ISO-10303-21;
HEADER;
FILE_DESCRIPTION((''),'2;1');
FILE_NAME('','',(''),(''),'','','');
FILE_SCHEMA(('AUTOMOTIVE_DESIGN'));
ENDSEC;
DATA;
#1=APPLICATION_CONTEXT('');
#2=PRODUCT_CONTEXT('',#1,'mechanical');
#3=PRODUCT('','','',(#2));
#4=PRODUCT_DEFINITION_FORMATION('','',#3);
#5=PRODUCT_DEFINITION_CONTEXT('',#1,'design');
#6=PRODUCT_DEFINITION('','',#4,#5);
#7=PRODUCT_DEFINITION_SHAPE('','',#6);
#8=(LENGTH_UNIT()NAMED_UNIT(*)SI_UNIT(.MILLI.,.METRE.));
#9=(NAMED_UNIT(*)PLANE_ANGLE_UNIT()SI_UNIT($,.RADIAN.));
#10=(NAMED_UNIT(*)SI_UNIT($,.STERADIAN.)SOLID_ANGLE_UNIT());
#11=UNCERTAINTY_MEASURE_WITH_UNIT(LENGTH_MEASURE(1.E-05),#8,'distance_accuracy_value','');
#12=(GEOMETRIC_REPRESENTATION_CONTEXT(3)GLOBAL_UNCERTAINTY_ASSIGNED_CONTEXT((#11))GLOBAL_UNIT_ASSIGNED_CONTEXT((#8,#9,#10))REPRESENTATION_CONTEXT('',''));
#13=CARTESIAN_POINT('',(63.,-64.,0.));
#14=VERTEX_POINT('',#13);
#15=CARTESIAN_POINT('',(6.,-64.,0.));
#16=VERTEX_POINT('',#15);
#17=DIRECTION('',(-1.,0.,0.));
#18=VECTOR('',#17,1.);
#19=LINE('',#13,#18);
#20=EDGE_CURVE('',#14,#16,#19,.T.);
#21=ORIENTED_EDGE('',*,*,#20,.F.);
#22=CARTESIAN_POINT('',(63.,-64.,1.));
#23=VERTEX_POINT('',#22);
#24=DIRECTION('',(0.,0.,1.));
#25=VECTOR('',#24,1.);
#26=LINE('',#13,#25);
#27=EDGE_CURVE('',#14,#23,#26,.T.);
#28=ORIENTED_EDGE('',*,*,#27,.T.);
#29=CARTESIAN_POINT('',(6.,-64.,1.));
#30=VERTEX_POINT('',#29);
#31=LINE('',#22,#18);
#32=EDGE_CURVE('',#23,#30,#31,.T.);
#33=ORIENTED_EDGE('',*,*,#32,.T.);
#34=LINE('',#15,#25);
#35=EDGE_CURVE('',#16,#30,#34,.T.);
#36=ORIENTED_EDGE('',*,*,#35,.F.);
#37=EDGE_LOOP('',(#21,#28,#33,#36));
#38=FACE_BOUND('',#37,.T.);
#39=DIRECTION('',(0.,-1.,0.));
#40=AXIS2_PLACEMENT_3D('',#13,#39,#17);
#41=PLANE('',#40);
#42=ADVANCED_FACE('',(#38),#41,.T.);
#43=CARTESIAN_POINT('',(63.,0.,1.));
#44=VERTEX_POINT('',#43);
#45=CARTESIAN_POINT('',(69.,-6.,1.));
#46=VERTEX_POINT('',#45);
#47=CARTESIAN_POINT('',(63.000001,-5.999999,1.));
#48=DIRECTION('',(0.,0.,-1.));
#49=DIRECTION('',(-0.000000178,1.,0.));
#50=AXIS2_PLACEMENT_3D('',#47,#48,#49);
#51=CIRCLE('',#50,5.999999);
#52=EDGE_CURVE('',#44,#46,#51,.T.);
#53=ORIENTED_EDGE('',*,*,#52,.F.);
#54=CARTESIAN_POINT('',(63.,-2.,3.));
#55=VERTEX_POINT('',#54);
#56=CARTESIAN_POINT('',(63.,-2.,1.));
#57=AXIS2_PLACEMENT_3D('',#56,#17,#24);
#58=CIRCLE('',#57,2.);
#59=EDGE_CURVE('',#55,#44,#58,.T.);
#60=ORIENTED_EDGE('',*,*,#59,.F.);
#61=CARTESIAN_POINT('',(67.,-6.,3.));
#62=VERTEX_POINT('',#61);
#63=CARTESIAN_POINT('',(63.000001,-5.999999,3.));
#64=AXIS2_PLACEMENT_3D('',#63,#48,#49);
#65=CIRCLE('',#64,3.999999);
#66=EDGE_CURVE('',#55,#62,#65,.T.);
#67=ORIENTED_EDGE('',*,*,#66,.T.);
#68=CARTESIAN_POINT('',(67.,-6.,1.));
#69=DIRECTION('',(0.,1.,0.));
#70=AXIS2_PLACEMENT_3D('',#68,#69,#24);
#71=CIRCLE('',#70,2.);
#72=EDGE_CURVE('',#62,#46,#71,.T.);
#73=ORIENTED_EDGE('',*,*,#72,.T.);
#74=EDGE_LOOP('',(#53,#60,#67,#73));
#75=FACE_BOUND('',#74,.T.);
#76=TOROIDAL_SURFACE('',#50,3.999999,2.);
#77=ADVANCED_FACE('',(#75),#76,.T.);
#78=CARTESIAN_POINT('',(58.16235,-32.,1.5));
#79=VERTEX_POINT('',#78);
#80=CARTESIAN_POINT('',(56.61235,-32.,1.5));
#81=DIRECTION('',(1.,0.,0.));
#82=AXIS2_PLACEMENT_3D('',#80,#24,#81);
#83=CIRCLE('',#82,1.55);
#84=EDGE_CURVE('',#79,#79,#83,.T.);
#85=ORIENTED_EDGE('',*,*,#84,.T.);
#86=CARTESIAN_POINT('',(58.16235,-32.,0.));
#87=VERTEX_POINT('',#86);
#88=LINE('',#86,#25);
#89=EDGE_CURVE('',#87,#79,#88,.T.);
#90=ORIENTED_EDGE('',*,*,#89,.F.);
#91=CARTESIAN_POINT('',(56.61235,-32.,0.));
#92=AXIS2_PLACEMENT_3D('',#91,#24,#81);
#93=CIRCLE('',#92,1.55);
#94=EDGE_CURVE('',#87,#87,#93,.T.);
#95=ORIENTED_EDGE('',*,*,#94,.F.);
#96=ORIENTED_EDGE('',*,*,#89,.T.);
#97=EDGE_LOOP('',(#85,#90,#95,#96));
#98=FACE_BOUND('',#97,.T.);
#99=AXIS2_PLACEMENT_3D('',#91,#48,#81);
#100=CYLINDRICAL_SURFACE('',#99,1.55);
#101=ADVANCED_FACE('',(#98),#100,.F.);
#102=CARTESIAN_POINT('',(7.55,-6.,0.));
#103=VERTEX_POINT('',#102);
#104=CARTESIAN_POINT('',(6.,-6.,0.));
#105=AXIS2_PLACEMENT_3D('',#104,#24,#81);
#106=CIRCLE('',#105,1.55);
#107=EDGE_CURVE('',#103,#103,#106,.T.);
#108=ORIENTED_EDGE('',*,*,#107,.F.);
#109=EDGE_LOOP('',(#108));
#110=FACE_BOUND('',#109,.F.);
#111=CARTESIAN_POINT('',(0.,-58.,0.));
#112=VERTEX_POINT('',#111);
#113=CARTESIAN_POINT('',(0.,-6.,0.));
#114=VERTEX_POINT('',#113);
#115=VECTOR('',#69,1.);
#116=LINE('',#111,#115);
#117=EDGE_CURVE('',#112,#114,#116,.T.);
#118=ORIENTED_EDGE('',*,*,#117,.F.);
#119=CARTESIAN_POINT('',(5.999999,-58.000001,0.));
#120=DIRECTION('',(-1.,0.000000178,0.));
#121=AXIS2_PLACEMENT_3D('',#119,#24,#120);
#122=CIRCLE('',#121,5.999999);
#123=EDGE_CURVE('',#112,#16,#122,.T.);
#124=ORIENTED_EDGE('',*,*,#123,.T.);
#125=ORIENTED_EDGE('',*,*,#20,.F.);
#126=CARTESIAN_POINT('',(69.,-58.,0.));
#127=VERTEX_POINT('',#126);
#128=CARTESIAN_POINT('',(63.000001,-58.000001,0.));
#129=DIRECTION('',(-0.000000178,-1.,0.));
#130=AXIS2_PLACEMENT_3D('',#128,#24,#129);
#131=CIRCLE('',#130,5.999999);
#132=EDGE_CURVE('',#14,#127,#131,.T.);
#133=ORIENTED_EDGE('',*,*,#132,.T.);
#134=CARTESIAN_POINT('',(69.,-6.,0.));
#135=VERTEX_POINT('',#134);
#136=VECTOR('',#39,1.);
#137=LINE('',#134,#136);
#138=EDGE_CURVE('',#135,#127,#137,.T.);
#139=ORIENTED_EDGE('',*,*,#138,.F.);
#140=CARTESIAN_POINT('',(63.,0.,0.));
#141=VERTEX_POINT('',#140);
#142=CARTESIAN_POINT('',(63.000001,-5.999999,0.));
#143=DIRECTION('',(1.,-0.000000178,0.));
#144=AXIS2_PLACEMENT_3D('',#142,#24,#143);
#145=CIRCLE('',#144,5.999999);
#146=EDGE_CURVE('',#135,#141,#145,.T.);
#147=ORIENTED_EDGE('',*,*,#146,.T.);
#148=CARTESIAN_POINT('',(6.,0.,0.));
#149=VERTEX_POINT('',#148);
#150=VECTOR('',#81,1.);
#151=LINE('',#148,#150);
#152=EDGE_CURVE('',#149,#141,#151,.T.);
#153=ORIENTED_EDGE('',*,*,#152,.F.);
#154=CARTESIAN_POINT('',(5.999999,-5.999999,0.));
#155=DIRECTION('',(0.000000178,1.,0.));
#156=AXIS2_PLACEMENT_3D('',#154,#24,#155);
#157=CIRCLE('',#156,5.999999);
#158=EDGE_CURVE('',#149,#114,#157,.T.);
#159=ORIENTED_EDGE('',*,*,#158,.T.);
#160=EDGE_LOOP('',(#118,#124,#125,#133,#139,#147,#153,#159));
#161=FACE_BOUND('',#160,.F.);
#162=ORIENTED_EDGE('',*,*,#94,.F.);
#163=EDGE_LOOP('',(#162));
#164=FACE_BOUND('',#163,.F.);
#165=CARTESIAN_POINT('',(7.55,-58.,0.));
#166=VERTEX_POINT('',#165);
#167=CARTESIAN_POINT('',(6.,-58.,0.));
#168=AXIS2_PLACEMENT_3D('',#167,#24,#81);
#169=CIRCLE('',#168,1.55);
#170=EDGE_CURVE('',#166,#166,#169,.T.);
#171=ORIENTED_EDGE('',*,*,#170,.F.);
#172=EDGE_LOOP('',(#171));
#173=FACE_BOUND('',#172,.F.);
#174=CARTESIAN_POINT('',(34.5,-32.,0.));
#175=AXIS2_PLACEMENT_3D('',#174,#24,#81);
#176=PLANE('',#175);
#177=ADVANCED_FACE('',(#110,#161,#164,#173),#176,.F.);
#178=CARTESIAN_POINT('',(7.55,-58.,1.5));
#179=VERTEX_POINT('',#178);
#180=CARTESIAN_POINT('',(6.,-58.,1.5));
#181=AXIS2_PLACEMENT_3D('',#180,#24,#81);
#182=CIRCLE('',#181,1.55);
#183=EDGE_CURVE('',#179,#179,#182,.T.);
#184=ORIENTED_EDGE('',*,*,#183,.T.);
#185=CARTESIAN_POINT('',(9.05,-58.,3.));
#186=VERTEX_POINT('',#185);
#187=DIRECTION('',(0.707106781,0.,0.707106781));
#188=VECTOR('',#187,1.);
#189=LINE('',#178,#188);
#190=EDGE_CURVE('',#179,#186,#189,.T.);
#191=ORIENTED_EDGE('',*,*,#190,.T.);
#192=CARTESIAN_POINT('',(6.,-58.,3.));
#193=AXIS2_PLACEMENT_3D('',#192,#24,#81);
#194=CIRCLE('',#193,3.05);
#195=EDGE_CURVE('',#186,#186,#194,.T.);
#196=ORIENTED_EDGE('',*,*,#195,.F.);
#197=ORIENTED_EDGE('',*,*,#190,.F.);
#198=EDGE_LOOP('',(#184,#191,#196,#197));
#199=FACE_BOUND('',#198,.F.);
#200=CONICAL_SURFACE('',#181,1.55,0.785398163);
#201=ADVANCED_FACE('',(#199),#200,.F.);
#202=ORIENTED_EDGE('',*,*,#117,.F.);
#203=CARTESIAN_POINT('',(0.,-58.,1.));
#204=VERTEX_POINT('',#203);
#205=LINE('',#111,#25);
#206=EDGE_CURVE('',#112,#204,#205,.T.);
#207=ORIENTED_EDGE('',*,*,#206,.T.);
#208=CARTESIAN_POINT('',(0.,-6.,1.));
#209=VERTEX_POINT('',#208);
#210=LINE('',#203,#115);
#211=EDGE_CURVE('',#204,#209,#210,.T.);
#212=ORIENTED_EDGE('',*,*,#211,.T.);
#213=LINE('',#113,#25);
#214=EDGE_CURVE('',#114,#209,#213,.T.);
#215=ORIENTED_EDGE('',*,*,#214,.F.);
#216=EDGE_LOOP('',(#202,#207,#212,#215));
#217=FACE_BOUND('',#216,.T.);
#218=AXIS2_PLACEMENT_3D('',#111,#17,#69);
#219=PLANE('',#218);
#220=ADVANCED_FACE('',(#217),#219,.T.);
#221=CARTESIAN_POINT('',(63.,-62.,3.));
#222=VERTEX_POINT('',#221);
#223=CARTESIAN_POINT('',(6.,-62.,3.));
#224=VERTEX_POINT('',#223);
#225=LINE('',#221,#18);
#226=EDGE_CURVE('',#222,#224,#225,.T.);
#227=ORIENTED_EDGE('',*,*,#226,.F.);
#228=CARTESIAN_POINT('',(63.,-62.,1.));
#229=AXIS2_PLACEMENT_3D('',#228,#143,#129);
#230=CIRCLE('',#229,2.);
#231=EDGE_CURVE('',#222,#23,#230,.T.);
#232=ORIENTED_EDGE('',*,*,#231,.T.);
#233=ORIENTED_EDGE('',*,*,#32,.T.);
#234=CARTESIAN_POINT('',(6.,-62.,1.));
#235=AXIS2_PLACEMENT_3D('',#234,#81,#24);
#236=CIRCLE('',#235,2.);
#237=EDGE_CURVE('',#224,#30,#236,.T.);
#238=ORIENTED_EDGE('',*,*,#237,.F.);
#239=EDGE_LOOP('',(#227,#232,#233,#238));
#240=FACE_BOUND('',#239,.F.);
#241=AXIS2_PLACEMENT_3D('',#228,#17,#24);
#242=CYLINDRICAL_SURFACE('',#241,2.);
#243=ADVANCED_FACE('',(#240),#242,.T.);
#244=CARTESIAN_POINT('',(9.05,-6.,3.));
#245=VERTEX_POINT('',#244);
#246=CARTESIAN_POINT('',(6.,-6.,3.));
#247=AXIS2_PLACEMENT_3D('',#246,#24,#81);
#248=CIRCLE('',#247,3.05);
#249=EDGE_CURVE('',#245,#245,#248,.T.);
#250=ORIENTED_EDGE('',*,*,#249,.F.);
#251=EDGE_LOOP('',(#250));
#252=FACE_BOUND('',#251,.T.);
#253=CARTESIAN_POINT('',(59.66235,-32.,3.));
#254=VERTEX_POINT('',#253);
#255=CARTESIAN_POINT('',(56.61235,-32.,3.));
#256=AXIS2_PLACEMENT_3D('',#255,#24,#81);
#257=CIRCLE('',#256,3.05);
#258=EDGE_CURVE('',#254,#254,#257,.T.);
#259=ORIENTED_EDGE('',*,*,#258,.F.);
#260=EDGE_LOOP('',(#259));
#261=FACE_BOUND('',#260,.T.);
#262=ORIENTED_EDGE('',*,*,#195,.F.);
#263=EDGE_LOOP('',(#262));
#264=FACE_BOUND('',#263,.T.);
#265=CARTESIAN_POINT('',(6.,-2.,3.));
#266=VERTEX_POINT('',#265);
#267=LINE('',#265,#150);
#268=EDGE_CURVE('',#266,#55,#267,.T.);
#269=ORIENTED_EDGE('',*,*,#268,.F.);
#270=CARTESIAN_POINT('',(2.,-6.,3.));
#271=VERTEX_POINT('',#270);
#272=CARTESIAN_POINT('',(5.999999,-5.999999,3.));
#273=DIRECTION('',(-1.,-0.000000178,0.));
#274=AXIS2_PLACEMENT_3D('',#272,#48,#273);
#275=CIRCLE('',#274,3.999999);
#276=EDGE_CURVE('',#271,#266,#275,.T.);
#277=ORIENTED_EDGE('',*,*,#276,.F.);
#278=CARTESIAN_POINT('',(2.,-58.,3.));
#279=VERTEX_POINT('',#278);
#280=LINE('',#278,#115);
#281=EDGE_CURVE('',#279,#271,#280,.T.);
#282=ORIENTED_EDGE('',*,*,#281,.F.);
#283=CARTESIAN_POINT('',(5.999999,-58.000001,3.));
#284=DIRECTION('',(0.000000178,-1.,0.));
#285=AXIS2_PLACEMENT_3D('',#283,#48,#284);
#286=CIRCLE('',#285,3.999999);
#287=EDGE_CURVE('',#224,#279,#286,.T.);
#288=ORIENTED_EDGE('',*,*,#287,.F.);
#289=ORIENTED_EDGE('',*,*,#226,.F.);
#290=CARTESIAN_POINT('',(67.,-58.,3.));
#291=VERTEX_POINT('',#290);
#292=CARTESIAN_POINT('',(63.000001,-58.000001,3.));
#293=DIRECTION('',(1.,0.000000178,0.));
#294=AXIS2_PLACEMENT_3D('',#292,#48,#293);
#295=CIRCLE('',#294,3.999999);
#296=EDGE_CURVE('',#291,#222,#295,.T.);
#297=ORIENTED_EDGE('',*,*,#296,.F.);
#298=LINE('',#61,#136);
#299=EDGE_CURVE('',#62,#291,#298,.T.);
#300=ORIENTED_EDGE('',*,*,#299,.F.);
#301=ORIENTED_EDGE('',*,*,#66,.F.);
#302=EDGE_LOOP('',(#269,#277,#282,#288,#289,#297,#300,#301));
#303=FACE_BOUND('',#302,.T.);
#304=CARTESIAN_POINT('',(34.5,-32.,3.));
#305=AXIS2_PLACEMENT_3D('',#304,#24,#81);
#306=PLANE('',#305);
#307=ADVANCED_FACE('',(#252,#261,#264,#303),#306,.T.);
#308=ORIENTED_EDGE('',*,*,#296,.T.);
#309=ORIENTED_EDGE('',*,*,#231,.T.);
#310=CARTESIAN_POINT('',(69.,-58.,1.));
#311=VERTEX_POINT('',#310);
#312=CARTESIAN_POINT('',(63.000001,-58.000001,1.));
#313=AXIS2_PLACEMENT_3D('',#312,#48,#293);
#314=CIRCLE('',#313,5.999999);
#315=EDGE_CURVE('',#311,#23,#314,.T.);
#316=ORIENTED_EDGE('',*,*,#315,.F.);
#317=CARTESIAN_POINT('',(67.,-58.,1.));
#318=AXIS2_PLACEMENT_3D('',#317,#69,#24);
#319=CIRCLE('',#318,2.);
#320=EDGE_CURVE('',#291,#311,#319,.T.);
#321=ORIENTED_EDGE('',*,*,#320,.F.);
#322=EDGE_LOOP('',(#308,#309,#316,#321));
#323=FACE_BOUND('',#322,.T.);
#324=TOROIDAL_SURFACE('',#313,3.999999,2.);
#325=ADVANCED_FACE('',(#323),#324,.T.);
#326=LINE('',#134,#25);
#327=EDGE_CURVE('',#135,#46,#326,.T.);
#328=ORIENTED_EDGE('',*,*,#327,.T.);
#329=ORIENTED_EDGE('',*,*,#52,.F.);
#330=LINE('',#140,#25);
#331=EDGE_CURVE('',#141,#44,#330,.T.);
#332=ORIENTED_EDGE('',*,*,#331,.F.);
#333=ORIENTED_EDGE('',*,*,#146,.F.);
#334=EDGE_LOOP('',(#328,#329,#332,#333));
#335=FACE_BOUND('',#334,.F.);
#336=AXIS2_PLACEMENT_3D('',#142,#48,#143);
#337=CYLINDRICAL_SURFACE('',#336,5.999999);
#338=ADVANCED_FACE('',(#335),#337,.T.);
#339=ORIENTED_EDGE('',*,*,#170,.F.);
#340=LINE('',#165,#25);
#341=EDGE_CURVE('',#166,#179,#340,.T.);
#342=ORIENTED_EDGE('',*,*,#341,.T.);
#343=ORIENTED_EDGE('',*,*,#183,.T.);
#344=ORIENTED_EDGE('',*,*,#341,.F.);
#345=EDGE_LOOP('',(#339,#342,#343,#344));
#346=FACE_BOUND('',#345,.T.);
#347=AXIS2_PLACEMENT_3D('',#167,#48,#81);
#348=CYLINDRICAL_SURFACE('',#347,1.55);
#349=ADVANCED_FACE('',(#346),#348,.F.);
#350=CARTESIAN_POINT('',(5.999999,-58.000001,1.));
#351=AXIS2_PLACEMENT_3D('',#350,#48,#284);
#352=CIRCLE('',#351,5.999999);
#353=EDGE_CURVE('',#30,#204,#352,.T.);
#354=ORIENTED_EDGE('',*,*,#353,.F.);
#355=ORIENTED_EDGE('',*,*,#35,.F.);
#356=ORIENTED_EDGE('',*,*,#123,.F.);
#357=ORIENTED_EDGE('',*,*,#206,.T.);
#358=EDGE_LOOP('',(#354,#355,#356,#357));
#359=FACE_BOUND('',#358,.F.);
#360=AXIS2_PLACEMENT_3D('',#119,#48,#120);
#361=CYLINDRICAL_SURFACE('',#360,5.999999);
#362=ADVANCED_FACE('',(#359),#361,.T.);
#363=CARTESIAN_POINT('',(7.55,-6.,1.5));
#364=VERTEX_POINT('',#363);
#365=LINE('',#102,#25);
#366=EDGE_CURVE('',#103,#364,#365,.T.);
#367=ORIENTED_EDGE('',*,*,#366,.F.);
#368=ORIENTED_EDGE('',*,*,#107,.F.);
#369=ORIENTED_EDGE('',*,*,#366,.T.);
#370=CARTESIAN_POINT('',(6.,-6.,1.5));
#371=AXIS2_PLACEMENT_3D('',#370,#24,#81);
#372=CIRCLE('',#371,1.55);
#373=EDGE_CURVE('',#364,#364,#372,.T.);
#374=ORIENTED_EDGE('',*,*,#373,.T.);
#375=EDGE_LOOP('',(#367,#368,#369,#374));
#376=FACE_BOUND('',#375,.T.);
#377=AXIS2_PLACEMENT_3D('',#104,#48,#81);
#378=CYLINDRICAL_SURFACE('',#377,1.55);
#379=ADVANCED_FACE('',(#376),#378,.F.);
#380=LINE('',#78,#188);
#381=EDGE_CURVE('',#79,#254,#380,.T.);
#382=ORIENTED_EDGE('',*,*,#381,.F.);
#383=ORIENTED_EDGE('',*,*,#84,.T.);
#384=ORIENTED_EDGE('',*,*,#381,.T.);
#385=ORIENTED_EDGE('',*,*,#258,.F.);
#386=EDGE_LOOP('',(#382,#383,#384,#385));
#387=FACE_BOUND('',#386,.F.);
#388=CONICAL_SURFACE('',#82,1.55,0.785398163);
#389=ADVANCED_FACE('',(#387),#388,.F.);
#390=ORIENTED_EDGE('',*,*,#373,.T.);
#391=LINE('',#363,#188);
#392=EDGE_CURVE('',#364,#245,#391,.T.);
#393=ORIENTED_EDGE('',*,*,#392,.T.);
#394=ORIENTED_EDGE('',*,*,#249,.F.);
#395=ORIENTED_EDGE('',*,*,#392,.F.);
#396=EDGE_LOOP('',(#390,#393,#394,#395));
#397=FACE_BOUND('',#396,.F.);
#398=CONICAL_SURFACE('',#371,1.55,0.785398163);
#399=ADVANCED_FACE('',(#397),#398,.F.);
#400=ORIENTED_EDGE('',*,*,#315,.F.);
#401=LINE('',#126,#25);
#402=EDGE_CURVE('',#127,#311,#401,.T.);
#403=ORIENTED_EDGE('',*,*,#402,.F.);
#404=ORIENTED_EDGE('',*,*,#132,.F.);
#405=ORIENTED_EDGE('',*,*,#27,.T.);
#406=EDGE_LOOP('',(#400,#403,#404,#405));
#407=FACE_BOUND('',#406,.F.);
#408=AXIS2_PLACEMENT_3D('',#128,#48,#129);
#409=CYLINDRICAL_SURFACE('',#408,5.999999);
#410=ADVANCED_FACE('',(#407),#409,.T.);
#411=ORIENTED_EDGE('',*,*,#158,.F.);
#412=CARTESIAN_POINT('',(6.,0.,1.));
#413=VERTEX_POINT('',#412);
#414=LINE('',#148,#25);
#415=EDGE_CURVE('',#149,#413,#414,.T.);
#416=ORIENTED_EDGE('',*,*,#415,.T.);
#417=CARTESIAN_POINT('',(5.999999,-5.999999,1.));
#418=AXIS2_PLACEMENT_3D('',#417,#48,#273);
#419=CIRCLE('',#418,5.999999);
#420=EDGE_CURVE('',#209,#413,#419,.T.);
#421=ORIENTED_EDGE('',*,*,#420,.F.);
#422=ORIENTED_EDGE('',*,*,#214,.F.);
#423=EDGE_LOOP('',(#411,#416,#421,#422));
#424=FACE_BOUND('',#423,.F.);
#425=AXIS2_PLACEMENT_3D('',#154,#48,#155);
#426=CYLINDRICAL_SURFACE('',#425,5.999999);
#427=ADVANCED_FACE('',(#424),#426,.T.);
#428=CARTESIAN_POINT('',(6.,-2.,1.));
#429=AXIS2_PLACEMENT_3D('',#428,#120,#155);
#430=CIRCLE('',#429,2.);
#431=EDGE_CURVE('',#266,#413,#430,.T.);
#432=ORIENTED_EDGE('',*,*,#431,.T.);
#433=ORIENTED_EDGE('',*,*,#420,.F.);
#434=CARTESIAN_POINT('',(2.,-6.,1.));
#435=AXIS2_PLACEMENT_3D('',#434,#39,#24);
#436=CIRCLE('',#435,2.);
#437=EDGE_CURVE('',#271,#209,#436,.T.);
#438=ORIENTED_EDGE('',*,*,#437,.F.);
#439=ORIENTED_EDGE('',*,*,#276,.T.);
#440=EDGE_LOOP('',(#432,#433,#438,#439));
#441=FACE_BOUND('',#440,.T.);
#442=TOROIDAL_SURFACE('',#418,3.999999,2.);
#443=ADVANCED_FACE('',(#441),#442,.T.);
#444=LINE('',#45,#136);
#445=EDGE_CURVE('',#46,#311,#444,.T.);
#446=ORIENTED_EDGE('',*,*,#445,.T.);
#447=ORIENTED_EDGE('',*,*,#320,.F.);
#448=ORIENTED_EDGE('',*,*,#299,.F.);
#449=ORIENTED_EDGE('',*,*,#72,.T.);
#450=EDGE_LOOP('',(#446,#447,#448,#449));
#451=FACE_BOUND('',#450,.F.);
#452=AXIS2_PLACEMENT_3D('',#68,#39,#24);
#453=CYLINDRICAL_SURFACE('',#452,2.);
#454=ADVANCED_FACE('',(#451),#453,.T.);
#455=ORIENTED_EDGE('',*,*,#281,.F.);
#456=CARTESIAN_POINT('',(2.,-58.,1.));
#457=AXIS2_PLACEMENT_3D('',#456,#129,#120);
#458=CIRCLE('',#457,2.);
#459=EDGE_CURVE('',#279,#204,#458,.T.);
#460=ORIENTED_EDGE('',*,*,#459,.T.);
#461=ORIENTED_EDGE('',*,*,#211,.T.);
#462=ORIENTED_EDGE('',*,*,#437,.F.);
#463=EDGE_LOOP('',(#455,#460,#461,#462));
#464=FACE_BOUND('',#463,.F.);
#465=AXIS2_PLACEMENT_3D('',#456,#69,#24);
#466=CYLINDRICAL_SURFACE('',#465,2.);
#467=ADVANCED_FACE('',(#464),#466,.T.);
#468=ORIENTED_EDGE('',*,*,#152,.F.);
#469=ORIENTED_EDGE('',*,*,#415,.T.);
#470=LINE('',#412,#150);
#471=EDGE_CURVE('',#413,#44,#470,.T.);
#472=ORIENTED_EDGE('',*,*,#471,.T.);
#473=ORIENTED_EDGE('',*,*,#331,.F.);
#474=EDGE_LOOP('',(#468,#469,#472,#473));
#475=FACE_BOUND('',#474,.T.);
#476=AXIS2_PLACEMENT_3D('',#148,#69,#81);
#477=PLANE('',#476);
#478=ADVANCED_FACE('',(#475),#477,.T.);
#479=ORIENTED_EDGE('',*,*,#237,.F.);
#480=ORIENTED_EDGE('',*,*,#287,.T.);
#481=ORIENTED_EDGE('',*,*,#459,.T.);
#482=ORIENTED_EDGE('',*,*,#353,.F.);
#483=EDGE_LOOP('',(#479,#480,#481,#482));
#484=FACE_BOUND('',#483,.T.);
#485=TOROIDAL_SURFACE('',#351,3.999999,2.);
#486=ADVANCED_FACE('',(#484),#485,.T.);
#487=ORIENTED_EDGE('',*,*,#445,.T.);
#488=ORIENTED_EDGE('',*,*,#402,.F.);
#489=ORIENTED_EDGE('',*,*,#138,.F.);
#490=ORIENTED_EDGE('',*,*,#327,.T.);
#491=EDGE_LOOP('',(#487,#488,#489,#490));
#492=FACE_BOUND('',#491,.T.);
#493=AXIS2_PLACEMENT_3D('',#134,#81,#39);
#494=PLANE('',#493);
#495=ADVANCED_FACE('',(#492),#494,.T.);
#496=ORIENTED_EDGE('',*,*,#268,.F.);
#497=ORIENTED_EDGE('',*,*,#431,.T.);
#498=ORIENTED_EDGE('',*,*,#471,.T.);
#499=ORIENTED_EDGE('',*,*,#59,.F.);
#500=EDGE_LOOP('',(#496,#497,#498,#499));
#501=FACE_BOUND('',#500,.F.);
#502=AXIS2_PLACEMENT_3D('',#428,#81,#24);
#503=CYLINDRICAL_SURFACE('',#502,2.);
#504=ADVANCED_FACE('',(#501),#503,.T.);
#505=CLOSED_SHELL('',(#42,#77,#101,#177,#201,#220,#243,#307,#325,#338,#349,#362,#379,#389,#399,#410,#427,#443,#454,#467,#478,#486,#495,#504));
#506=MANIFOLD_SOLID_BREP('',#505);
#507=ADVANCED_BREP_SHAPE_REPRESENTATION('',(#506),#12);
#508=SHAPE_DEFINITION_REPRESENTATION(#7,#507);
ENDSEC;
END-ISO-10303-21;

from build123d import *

# Parameters (mm, degrees)
SKETCH_R     = 1.55
PAD_DEPTH    = 3
CHAMFER_SIZE = 1.5
FILLET_R     = 2


with BuildPart() as part:
    # Sketch → Pad (new body)
    with BuildSketch(Plane.XY):
        with BuildLine():
            ThreePointArc((6, 0), (1.757359, -1.757359), (0, -6))
            Line((0, -58), (0, -6))
            ThreePointArc((0, -58), (1.757359, -62.242641), (6, -64))
            Line((63, -64), (6, -64))
            ThreePointArc((63, -64), (67.242641, -62.242641), (69, -58))
            Line((69, -6), (69, -58))
            ThreePointArc((69, -6), (67.242641, -1.757359), (63, 0))
            Line((6, 0), (63, 0))
        make_face()
        with Locations((6, -6)):
            Circle(SKETCH_R, mode=Mode.SUBTRACT)
        with Locations((6, -58)):
            Circle(SKETCH_R, mode=Mode.SUBTRACT)
        with Locations((56.61235, -32)):
            Circle(SKETCH_R, mode=Mode.SUBTRACT)
    extrude(amount=PAD_DEPTH)

    # Chamfer
    chamfer_edges = [part.edges().sort_by_distance(p)[0] for p in [
        (4.45, -6, 3),
        (4.45, -58, 3),
        (55.06235, -32, 3),
    ]]
    chamfer(chamfer_edges, length=CHAMFER_SIZE)

    # Fillet
    fillet_edges = [part.edges().sort_by_distance(p)[0] for p in [
        (69, -32, 3),
    ]]
    fillet(fillet_edges, radius=FILLET_R)


solid = part.part
